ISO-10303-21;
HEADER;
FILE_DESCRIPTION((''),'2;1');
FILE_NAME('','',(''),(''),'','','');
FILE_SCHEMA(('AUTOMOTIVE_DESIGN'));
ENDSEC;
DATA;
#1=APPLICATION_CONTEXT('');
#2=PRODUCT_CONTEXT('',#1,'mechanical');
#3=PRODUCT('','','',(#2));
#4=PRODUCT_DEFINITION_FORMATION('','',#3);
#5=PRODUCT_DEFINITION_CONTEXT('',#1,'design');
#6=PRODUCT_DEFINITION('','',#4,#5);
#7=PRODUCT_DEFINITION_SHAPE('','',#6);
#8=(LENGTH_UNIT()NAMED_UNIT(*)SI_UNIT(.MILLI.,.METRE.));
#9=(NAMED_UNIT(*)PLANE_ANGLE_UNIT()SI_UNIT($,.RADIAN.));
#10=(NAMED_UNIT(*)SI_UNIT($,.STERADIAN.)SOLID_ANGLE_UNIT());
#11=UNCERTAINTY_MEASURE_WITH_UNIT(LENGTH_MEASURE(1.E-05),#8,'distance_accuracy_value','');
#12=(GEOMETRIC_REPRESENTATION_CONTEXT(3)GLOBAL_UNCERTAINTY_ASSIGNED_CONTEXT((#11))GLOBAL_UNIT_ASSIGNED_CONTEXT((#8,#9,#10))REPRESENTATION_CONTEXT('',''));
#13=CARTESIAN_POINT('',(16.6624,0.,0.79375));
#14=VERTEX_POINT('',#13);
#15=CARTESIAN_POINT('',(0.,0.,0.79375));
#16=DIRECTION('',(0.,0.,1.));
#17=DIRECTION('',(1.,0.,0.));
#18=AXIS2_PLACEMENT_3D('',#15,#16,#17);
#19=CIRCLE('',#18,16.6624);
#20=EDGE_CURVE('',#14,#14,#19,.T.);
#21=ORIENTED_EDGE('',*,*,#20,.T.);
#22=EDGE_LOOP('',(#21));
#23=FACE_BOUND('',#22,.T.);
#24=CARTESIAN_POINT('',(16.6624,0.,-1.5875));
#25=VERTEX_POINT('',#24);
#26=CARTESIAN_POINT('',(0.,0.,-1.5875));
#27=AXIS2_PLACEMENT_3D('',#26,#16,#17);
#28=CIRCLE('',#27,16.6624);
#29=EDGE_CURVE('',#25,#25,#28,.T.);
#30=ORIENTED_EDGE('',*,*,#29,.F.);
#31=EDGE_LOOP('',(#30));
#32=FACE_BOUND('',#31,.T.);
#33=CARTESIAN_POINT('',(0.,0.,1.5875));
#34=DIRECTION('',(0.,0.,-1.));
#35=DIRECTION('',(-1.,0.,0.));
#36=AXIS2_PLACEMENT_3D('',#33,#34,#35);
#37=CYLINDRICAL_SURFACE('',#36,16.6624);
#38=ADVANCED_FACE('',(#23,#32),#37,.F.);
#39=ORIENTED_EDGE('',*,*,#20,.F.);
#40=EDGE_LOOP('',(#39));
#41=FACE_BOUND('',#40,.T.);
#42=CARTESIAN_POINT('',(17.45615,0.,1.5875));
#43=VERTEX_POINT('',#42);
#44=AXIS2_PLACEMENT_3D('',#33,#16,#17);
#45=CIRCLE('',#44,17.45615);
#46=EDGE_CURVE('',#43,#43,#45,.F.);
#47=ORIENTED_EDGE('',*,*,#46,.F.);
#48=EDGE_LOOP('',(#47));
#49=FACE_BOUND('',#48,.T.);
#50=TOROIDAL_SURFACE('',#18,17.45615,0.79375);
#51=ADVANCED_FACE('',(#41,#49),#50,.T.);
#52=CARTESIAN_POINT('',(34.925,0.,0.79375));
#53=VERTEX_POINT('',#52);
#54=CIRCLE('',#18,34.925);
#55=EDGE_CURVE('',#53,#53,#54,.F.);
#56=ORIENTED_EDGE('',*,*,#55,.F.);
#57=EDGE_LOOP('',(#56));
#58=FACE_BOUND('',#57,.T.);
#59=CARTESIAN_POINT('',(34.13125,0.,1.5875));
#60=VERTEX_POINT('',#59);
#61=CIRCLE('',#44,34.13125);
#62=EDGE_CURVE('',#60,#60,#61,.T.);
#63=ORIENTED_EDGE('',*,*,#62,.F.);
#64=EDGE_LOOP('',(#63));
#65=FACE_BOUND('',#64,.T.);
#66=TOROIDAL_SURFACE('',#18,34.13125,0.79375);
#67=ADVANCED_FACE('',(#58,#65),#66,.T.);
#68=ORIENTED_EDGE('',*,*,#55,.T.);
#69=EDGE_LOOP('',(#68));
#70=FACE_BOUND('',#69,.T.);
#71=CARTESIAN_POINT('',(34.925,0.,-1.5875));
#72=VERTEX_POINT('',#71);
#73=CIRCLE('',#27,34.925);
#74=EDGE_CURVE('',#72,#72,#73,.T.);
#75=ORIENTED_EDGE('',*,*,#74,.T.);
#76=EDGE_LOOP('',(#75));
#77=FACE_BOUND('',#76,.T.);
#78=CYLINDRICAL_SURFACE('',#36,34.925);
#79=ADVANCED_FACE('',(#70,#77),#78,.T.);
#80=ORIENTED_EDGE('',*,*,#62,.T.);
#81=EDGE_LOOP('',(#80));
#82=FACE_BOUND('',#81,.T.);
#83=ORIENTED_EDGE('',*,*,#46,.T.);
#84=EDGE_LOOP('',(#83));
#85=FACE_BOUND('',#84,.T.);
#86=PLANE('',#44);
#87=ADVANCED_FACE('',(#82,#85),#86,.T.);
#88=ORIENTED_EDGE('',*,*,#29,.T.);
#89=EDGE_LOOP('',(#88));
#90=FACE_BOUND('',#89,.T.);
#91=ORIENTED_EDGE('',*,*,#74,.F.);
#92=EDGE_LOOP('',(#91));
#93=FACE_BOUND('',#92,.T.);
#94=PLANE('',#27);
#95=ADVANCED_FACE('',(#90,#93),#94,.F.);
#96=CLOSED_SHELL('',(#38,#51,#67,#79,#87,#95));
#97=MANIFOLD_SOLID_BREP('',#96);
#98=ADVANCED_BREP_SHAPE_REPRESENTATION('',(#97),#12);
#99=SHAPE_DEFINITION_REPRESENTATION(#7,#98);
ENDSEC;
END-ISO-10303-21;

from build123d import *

# Parameters (mm, degrees)
SKETCH3_R                = 34.925
SKETCH3_R_2              = 16.6624
BOSS_EXTRUDE1_DEPTH      = 1.5875
BOSS_EXTRUDE1_DEPTH_BACK = 1.5875
FILLET1_R                = 0.79375


with BuildPart() as part:
    # Sketch3 → Boss-Extrude1 (new body, two sides)
    with BuildSketch(Plane.XY) as boss_extrude1_sk:
        Circle(SKETCH3_R)
        Circle(SKETCH3_R_2, mode=Mode.SUBTRACT)
    extrude(amount=BOSS_EXTRUDE1_DEPTH)
    extrude(boss_extrude1_sk.sketch, amount=-BOSS_EXTRUDE1_DEPTH_BACK)

    # Fillet1
    fillet1_edges = [part.edges().sort_by_distance(p)[0] for p in [
        (-34.925, 0, 1.5875),
        (-16.6624, 0, 1.5875),
    ]]
    fillet(fillet1_edges, radius=FILLET1_R)


solid = part.part
